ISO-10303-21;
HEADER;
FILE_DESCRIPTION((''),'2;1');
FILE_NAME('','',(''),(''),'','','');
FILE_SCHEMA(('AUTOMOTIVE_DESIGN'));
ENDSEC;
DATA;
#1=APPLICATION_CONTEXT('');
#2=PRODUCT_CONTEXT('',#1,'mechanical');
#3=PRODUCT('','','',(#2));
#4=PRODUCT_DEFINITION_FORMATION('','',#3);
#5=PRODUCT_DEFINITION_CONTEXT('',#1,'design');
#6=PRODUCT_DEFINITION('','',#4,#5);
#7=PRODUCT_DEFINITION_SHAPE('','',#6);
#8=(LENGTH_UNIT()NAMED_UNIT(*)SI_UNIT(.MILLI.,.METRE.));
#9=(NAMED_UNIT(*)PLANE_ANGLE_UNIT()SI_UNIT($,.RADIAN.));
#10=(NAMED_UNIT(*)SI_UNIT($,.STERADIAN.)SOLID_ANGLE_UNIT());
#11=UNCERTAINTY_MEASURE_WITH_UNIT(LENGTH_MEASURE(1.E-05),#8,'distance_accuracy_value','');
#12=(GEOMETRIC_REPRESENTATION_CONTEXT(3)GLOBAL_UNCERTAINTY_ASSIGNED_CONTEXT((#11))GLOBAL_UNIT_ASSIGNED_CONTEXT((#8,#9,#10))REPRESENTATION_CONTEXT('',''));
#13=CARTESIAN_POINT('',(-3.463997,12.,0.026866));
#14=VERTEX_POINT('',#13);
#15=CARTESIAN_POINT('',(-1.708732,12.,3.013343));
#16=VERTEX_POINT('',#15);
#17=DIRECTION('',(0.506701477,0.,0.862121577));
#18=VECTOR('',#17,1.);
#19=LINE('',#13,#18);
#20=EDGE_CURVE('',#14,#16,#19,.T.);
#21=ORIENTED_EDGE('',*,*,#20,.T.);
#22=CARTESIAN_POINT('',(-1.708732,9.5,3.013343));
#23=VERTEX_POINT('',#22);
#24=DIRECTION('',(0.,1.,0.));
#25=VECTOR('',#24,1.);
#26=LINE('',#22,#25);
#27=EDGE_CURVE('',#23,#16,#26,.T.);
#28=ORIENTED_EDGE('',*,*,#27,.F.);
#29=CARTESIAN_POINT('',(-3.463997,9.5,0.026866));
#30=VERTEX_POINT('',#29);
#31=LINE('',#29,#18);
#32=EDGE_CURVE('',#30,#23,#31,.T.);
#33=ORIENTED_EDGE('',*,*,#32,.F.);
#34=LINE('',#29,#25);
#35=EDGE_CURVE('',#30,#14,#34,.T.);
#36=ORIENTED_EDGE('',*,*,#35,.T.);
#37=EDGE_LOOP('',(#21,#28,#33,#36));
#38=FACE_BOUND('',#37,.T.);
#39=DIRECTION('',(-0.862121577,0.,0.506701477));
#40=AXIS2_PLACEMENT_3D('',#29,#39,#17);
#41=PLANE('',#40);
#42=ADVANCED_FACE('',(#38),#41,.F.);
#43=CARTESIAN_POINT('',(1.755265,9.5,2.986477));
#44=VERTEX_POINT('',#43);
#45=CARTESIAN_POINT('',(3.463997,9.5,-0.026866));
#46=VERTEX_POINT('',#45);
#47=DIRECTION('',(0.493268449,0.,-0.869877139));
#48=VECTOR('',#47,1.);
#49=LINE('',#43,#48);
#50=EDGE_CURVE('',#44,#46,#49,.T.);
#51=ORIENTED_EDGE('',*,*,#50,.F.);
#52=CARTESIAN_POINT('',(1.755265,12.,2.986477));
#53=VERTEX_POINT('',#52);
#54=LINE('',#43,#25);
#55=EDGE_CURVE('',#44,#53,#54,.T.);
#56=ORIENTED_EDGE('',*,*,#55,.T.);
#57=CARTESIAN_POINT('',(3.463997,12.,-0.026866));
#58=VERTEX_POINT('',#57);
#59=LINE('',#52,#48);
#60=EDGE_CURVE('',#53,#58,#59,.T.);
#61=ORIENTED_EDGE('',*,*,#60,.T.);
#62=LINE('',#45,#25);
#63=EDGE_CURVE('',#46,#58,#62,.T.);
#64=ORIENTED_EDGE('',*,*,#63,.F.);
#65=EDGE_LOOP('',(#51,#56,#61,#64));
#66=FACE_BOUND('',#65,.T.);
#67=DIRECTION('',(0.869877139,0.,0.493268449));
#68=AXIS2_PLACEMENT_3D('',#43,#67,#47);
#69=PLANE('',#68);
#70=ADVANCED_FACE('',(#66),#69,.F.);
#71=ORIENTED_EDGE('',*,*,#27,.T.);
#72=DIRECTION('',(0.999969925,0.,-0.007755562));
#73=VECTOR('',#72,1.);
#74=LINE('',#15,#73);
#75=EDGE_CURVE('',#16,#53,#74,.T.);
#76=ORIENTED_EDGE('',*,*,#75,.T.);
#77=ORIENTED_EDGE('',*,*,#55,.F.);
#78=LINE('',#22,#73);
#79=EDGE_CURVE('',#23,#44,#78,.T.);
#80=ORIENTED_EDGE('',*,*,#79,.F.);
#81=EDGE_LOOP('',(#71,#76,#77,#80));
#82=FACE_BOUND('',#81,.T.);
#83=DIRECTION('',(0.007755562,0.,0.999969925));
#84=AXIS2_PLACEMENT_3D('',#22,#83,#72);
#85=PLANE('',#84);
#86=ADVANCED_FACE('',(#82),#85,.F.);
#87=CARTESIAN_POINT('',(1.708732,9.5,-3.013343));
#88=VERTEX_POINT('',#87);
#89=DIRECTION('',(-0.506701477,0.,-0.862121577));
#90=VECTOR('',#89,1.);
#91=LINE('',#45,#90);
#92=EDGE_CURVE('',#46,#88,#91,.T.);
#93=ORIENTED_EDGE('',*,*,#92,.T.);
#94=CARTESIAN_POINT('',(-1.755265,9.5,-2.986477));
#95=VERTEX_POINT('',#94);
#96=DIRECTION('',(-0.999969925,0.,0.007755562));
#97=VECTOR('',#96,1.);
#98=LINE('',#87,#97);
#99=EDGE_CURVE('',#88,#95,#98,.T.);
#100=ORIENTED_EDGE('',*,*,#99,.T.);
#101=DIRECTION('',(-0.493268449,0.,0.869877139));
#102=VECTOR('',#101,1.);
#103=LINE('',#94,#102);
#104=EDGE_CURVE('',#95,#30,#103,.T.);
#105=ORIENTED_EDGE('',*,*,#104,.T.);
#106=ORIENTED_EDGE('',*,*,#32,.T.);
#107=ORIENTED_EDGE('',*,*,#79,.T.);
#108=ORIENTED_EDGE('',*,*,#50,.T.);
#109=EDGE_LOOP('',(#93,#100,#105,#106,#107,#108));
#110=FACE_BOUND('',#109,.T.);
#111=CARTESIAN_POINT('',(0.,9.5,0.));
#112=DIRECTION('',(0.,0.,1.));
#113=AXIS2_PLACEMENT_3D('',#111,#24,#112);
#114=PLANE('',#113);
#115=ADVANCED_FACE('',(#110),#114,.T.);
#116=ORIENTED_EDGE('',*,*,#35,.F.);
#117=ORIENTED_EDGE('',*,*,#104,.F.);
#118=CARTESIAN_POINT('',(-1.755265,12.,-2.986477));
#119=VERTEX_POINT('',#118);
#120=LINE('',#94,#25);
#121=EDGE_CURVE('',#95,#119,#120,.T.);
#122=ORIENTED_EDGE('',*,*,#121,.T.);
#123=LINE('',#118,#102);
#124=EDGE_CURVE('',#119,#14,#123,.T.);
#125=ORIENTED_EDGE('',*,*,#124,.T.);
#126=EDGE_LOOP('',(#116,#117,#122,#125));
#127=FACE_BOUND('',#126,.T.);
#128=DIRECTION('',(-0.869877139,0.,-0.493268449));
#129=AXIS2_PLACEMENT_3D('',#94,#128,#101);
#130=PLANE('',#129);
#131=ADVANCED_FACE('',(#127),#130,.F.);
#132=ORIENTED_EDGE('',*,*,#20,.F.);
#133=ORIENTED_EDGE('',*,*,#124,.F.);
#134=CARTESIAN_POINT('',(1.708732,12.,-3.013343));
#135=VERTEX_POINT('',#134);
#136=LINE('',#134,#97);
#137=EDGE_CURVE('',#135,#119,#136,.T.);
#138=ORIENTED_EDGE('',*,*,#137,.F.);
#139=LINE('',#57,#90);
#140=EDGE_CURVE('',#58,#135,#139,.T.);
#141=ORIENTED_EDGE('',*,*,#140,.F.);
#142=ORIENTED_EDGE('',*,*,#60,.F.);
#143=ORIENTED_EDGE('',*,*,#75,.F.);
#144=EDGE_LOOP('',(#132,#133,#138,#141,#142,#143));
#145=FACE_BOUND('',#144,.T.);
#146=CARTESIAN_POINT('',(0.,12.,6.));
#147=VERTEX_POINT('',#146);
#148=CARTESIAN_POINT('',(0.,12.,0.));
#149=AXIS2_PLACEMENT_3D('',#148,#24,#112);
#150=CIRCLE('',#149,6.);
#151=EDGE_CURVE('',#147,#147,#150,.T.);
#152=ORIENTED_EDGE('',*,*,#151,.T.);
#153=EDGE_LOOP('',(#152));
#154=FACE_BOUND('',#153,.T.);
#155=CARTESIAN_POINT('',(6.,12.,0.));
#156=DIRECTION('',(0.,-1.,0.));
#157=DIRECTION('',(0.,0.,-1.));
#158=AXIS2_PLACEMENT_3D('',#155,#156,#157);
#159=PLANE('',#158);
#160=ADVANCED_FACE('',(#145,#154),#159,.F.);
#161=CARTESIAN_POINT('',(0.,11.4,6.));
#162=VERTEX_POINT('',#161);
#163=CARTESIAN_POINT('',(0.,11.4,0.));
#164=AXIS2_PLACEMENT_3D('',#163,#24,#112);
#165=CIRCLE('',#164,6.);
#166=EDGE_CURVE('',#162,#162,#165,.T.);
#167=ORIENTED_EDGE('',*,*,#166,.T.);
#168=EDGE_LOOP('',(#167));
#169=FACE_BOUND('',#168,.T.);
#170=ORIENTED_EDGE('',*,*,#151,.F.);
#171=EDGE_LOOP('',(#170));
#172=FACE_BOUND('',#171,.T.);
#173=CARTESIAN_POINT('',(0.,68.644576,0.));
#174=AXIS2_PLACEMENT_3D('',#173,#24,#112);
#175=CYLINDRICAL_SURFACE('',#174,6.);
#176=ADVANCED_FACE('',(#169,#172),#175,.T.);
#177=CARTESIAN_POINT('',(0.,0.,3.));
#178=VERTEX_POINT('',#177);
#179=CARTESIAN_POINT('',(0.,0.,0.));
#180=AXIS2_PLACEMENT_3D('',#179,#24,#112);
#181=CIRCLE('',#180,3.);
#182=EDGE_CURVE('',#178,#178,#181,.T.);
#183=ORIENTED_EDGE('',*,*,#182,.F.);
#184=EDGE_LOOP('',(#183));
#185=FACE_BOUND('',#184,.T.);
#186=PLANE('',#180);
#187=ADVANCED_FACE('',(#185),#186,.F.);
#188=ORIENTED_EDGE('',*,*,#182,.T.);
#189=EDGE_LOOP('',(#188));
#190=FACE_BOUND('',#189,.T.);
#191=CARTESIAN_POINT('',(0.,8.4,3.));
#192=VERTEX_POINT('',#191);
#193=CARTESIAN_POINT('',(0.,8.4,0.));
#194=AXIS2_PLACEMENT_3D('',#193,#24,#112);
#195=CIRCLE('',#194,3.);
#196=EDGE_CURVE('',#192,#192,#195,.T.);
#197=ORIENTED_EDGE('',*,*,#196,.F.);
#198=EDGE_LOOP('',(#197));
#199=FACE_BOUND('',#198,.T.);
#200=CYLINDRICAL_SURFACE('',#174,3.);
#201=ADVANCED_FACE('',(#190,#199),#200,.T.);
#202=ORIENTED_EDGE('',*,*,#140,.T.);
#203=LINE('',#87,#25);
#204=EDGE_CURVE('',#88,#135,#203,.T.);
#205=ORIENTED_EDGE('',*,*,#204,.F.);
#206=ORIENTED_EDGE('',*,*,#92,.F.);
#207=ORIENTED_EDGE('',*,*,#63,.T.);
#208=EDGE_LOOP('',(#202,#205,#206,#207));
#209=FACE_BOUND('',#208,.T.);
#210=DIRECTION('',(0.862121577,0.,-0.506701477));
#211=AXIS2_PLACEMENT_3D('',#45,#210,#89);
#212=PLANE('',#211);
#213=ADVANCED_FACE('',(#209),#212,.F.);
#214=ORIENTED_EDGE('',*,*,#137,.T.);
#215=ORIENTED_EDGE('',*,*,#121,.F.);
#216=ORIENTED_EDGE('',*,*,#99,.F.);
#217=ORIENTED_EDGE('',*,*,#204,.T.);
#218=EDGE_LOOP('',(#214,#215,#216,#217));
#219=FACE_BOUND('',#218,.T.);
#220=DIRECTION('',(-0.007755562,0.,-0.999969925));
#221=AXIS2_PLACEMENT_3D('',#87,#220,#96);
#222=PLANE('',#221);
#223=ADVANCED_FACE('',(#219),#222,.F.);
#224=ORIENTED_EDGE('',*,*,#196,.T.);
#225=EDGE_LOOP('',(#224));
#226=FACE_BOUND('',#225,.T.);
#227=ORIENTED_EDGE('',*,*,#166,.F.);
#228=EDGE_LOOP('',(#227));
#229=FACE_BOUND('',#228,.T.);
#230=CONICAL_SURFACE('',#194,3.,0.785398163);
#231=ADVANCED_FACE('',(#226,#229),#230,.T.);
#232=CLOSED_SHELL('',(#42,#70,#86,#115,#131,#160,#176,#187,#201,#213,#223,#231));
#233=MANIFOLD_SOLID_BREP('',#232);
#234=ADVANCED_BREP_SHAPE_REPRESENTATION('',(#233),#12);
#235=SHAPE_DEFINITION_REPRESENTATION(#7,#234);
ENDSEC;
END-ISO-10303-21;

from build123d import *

# Parameters (mm, degrees)
CUT_EXTRUDE_1_DEPTH = 2.5


with BuildPart() as part:
    # Эскиз1 → Повернуть1 (revolve)
    with BuildSketch(Plane.XY):
        Polygon((0, 0), (3, 0), (3, 8.4), (6, 11.4), (6, 12), (0, 12), align=None)
    revolve(axis=Axis((0, 68.644575989, 0), (0, -1, 0)))

    # Эскиз2 → Вырез-Вытянуть1 (cut)
    with BuildSketch(Plane(origin=(0, 12, 0), x_dir=(1, 0, 0), z_dir=(0, 1, 0))):
        Polygon((1.755265403, -2.986476748), (3.463997433, 0.026866056), (1.708732029, 3.013342804), (-1.755265403, 2.986476748), (-3.463997433, -0.026866056), (-1.708732029, -3.013342804), align=None)
    extrude(amount=-CUT_EXTRUDE_1_DEPTH, mode=Mode.SUBTRACT)


solid = part.part
